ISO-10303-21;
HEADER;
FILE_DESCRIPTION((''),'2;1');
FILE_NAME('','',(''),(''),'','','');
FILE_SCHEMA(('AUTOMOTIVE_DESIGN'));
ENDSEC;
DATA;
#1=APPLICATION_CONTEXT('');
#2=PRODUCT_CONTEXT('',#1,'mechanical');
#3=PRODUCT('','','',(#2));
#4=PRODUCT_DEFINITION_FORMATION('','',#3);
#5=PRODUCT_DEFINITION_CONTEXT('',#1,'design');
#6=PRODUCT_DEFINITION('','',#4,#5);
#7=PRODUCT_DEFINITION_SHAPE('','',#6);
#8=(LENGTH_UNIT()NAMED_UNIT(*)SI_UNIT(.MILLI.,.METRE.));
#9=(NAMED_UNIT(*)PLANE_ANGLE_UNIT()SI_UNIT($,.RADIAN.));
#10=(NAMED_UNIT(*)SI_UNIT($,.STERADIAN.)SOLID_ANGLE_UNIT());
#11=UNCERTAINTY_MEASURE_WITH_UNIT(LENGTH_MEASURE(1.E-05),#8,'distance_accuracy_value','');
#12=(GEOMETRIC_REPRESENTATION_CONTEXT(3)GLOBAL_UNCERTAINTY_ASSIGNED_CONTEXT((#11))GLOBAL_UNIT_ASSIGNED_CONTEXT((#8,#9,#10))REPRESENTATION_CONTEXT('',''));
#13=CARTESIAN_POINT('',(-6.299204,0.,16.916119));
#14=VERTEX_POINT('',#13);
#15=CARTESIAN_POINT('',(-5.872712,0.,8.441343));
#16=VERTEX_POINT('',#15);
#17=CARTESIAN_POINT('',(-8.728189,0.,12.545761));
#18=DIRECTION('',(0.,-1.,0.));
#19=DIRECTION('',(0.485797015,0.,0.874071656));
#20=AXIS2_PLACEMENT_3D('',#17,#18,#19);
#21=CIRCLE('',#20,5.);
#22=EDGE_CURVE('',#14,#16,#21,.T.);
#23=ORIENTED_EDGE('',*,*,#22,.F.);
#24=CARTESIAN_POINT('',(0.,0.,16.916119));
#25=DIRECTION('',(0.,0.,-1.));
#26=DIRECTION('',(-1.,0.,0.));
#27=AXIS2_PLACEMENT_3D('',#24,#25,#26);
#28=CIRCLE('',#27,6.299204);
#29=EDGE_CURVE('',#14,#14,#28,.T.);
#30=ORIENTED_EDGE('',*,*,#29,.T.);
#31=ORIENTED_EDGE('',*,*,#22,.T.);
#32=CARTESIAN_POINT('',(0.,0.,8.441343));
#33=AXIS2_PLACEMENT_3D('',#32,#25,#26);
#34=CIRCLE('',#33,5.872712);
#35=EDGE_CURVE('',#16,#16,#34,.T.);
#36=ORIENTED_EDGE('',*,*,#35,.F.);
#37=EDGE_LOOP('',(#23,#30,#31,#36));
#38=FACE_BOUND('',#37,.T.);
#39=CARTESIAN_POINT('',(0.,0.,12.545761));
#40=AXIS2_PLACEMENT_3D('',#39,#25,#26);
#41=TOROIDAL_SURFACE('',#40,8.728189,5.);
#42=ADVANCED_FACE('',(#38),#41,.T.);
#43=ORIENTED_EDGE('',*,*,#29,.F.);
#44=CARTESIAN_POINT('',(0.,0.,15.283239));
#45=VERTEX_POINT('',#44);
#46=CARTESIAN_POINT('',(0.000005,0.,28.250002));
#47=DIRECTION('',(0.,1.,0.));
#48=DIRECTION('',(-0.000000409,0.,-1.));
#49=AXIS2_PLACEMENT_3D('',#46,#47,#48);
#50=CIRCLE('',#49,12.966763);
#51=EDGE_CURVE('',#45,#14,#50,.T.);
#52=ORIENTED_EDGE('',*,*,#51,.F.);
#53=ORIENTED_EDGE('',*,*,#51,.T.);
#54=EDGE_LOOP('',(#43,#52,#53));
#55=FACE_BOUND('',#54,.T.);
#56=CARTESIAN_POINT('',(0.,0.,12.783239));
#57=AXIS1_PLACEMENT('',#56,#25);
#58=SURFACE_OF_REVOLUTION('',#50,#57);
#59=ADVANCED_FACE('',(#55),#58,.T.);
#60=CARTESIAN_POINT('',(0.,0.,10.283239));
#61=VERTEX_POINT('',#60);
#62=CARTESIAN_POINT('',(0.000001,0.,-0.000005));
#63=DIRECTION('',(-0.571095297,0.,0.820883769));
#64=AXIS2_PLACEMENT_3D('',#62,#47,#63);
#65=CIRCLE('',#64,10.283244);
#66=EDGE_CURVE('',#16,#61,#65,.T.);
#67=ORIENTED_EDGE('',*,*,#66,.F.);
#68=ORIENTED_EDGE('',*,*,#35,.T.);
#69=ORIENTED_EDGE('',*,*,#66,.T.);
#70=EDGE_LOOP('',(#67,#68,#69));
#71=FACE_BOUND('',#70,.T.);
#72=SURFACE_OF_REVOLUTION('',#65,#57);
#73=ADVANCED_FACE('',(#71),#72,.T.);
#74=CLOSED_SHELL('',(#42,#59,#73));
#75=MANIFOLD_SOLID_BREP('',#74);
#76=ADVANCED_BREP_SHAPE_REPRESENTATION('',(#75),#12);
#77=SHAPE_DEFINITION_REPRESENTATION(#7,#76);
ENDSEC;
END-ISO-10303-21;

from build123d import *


with BuildPart() as f1:
    # F0 (on Front) → F1 (revolve)
    with BuildSketch(Plane.XZ):
        with BuildLine():
            ThreePointArc((-5.872712, 8.441343), (-3.07739, 9.811966), (0, 10.283239))
            Line((0, 10.283239), (0, 15.283239))
            ThreePointArc((0, 15.283239), (-3.2537, 15.698096), (-6.299204, 16.916119))
            ThreePointArc((-6.299204, 16.916119), (-13.721869, 12.294455), (-5.872712, 8.441343))
        make_face()
    revolve(axis=Axis((0, 0, 12.783239), (0, 0, -1)))


solid = f1.part
